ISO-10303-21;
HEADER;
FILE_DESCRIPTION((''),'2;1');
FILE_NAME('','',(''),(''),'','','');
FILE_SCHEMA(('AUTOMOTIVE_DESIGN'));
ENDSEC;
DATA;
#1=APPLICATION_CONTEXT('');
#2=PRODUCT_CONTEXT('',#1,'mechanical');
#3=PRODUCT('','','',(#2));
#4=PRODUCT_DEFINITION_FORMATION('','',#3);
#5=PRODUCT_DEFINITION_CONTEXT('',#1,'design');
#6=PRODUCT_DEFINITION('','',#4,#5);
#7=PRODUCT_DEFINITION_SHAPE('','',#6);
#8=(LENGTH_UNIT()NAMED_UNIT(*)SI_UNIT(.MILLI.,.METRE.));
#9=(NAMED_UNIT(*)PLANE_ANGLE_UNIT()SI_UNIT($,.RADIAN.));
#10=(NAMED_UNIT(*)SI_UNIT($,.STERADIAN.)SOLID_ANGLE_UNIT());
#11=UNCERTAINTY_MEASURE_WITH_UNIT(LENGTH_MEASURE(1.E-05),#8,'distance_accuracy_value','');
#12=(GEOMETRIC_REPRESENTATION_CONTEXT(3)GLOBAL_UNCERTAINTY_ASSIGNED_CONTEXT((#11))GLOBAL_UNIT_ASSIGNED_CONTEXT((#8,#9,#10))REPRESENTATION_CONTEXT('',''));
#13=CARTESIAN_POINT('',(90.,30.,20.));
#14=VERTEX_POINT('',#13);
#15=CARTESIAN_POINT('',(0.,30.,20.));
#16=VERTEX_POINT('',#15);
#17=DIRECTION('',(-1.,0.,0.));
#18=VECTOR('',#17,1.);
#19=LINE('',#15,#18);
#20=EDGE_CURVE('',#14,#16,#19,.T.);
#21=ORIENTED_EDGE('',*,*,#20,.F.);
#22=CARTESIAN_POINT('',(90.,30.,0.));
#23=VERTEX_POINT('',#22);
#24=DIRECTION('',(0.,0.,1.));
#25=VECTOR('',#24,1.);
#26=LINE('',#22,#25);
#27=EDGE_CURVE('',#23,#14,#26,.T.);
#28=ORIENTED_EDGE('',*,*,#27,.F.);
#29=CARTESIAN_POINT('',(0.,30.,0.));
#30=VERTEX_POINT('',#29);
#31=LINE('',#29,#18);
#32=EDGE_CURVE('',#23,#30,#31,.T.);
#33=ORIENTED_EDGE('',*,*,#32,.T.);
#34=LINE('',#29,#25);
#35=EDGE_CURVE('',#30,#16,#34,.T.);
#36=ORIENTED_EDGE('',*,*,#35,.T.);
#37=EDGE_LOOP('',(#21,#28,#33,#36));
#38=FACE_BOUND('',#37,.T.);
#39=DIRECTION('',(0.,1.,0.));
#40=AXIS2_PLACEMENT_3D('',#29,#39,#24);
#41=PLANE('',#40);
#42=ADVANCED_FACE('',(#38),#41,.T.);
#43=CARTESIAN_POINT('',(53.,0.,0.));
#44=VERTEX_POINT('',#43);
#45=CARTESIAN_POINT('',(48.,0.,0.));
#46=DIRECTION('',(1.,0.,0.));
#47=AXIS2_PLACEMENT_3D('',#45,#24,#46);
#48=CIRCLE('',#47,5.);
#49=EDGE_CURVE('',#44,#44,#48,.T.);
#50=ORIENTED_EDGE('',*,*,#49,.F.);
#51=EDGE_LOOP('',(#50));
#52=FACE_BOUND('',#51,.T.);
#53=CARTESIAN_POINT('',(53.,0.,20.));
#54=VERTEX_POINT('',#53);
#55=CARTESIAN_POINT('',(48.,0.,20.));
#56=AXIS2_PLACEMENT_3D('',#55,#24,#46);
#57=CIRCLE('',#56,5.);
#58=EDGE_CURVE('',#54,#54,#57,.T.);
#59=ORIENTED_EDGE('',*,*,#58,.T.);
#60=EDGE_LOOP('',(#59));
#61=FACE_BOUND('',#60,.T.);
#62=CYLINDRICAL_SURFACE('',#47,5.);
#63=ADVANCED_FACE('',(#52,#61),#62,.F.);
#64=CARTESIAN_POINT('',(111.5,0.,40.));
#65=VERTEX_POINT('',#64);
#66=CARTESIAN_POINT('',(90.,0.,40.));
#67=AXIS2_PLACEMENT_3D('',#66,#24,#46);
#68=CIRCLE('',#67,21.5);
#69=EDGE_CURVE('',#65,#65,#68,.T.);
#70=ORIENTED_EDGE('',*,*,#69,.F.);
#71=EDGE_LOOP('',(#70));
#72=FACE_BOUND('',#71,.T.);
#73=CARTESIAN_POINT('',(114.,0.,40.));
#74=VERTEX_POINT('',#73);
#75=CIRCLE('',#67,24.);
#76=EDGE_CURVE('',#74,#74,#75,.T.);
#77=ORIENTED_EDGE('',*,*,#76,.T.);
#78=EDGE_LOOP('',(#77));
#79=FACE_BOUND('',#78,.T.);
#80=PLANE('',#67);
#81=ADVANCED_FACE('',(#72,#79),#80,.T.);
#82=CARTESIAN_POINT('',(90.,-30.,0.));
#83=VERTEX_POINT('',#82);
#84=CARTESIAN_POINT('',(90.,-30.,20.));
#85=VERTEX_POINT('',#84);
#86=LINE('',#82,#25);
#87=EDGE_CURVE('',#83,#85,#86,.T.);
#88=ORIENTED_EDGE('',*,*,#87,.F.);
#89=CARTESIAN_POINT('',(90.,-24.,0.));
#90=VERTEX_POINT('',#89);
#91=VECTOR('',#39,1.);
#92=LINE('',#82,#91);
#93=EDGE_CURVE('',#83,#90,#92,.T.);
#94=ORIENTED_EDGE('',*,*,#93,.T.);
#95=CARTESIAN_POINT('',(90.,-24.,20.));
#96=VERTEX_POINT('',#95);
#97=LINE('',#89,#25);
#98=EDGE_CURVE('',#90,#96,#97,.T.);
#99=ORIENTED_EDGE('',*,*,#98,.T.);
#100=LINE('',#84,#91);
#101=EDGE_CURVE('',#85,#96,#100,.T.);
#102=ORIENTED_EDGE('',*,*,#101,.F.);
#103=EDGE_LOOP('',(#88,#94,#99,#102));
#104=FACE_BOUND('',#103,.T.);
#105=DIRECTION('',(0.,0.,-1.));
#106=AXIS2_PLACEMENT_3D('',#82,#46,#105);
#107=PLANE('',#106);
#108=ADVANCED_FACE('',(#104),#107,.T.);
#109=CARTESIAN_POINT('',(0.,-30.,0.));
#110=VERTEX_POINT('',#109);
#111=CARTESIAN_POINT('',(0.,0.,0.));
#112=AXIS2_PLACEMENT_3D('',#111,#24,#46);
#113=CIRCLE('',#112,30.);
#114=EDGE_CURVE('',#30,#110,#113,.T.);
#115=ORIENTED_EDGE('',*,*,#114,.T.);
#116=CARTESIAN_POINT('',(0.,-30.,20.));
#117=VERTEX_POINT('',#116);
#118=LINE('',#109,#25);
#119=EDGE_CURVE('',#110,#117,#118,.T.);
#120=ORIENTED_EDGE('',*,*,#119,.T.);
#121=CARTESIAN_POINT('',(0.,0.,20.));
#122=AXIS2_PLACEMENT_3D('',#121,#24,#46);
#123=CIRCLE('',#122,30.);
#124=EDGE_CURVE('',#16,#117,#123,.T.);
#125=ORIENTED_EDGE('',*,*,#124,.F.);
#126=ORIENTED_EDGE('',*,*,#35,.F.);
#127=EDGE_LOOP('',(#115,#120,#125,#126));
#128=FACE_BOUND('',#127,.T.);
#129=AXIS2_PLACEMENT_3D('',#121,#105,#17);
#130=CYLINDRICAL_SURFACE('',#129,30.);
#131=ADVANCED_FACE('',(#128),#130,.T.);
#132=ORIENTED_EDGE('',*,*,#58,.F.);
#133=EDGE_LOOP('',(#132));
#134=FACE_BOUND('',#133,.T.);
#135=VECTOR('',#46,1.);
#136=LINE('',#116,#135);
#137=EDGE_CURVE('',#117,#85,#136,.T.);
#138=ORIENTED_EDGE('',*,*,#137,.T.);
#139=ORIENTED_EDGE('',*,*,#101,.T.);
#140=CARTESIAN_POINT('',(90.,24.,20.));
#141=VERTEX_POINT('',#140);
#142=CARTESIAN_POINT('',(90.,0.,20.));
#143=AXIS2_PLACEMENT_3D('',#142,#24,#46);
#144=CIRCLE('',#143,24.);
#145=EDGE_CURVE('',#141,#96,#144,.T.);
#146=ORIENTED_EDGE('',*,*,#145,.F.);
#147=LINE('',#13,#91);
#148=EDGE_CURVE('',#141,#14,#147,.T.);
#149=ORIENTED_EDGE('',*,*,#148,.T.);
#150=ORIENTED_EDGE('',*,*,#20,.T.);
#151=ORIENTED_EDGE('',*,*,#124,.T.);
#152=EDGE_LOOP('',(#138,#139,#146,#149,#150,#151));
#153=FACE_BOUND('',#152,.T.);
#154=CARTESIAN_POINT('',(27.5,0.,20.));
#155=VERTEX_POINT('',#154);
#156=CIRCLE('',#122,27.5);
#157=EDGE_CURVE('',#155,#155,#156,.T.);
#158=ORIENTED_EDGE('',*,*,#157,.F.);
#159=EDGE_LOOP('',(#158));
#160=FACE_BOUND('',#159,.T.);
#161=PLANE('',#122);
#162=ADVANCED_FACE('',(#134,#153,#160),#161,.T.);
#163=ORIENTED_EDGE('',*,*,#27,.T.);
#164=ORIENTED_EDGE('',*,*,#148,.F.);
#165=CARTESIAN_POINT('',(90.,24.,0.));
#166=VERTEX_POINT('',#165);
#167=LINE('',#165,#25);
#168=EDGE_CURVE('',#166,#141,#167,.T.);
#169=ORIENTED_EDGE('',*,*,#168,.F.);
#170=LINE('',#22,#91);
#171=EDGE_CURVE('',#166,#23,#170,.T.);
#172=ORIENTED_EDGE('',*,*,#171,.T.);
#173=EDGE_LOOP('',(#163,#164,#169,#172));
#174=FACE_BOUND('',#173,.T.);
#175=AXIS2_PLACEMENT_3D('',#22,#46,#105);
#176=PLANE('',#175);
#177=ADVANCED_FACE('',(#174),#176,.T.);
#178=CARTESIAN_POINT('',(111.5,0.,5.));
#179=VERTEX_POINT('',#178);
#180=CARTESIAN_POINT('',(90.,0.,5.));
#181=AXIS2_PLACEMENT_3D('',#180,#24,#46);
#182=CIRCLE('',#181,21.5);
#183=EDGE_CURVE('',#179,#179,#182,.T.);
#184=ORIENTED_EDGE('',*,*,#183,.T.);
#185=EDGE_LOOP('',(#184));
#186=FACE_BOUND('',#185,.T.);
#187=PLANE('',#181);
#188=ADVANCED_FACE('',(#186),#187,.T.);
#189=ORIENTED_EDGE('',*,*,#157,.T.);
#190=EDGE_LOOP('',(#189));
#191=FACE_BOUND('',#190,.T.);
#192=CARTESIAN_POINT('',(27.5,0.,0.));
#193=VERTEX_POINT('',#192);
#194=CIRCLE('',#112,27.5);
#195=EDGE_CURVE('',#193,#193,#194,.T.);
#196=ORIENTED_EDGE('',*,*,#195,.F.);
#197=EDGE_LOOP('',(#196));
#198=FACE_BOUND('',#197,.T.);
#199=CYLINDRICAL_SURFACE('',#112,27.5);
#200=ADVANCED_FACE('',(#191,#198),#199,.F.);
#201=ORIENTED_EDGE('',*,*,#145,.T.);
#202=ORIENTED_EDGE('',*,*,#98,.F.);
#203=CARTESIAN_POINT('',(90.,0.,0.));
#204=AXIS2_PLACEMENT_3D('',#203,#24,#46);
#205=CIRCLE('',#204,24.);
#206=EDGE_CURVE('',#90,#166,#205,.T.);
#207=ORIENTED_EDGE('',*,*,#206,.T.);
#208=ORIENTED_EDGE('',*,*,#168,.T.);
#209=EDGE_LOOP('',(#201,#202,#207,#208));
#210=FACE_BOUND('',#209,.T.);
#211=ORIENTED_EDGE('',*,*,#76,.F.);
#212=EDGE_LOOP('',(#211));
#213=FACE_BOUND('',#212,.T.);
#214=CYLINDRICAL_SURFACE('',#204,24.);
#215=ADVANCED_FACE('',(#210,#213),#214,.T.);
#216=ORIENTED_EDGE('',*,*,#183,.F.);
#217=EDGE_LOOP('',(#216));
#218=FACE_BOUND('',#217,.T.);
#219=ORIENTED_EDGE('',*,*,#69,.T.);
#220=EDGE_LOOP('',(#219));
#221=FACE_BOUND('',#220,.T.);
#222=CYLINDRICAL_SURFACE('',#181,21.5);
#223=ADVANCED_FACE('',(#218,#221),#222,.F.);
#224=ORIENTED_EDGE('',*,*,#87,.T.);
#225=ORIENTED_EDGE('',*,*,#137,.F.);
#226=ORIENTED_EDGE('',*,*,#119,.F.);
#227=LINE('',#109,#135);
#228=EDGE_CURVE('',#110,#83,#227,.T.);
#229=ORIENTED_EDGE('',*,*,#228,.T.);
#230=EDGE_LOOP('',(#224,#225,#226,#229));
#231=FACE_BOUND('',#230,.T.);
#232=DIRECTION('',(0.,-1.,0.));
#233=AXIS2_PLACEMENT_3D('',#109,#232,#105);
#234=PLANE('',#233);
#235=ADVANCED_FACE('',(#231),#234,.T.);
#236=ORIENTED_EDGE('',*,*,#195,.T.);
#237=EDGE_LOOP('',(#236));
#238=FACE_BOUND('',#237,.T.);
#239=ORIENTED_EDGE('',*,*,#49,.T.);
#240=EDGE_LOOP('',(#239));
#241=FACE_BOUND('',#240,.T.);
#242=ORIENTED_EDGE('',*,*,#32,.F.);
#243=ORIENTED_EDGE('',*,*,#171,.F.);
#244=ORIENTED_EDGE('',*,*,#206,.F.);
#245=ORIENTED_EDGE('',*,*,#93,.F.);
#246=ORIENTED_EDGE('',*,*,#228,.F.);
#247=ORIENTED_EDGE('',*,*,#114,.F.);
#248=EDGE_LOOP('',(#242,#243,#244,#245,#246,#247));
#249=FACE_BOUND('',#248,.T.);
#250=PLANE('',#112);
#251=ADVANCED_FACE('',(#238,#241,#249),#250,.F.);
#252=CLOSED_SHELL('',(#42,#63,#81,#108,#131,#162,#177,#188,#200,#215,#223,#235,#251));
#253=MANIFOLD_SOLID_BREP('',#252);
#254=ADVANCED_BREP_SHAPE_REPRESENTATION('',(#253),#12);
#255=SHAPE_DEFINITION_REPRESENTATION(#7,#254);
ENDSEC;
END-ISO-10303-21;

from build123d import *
from build123d.topology import SkipClean

# Parameters (mm, degrees)
SKETCH1_R           = 30
BOSS_EXTRUDE1_DEPTH = 20
SKETCH2_R           = 27.5
CUT_EXTRUDE1_DEPTH  = 47.904157598
BOSS_EXTRUDE2_START = -20
BOSS_EXTRUDE2_DEPTH = 20
SKETCH6_R           = 21.5
CUT_EXTRUDE2_DEPTH  = 35
SKETCH10_R          = 5
CUT_EXTRUDE5_DEPTH  = 120.565881421
SKETCH11_R          = 24
BOSS_EXTRUDE3_DEPTH = 20
BOSS_EXTRUDE4_START = -40
SKETCH12_R          = 24
BOSS_EXTRUDE4_DEPTH = 40
SKETCH13_R          = 21.5
CUT_EXTRUDE6_DEPTH  = 35


with BuildPart() as part:
    # Sketch1 → Boss-Extrude1 (new body)
    with BuildSketch(Plane.XY):
        Circle(SKETCH1_R)
    extrude(amount=BOSS_EXTRUDE1_DEPTH)

    # Sketch2 → Cut-Extrude1 (cut, through all)
    with BuildSketch(Plane.XY.offset(20)):
        Circle(SKETCH2_R)
    extrude(amount=-CUT_EXTRUDE1_DEPTH, mode=Mode.SUBTRACT)

    # Sketch4 → Boss-Extrude2 (add)
    with BuildSketch(Plane.XY.offset(20).offset(BOSS_EXTRUDE2_START)):
        with BuildLine():
            Line((0, 30), (90, 30))
            Line((90, 30), (90, 24))
            ThreePointArc((90, 24), (114, 0), (90, -24))
            Line((90, -24), (90, -30))
            Line((90, -30), (0, -30))
            ThreePointArc((0, -30), (30, 0), (0, 30))
        make_face()
    extrude(amount=BOSS_EXTRUDE2_DEPTH)

    # Sketch6 → Cut-Extrude2 (cut)
    with BuildSketch(Plane.XY.offset(20)):
        with Locations((90, 0)):
            Circle(SKETCH6_R)
    extrude(amount=-CUT_EXTRUDE2_DEPTH, mode=Mode.SUBTRACT)

    # Sketch10 → Cut-Extrude5 (cut, through all)
    with BuildSketch(Plane.XY.offset(20)):
        with Locations((48, 0)):
            Circle(SKETCH10_R)
    extrude(amount=-CUT_EXTRUDE5_DEPTH, mode=Mode.SUBTRACT)

    # Sketch11 → Boss-Extrude3 (add)
    with BuildSketch(Plane.XY.offset(20)):
        with Locations((90, 0)):
            Circle(SKETCH11_R)
    extrude(amount=BOSS_EXTRUDE3_DEPTH)

    # Sketch12 → Boss-Extrude4 (add)
    with SkipClean():  # the faces are left unmerged after this step: merging them gives an invalid solid
        with BuildSketch(Plane.XY.offset(40).offset(BOSS_EXTRUDE4_START)):
            with Locations((90, 0)):
                Circle(SKETCH12_R)
        extrude(amount=BOSS_EXTRUDE4_DEPTH)

    # Sketch13 → Cut-Extrude6 (cut)
    with SkipClean():  # the faces are left unmerged after this step: merging them gives an invalid solid
        with BuildSketch(Plane.XY.offset(40)):
            with Locations((90, 0)):
                Circle(SKETCH13_R)
        extrude(amount=-CUT_EXTRUDE6_DEPTH, mode=Mode.SUBTRACT)


solid = part.part
